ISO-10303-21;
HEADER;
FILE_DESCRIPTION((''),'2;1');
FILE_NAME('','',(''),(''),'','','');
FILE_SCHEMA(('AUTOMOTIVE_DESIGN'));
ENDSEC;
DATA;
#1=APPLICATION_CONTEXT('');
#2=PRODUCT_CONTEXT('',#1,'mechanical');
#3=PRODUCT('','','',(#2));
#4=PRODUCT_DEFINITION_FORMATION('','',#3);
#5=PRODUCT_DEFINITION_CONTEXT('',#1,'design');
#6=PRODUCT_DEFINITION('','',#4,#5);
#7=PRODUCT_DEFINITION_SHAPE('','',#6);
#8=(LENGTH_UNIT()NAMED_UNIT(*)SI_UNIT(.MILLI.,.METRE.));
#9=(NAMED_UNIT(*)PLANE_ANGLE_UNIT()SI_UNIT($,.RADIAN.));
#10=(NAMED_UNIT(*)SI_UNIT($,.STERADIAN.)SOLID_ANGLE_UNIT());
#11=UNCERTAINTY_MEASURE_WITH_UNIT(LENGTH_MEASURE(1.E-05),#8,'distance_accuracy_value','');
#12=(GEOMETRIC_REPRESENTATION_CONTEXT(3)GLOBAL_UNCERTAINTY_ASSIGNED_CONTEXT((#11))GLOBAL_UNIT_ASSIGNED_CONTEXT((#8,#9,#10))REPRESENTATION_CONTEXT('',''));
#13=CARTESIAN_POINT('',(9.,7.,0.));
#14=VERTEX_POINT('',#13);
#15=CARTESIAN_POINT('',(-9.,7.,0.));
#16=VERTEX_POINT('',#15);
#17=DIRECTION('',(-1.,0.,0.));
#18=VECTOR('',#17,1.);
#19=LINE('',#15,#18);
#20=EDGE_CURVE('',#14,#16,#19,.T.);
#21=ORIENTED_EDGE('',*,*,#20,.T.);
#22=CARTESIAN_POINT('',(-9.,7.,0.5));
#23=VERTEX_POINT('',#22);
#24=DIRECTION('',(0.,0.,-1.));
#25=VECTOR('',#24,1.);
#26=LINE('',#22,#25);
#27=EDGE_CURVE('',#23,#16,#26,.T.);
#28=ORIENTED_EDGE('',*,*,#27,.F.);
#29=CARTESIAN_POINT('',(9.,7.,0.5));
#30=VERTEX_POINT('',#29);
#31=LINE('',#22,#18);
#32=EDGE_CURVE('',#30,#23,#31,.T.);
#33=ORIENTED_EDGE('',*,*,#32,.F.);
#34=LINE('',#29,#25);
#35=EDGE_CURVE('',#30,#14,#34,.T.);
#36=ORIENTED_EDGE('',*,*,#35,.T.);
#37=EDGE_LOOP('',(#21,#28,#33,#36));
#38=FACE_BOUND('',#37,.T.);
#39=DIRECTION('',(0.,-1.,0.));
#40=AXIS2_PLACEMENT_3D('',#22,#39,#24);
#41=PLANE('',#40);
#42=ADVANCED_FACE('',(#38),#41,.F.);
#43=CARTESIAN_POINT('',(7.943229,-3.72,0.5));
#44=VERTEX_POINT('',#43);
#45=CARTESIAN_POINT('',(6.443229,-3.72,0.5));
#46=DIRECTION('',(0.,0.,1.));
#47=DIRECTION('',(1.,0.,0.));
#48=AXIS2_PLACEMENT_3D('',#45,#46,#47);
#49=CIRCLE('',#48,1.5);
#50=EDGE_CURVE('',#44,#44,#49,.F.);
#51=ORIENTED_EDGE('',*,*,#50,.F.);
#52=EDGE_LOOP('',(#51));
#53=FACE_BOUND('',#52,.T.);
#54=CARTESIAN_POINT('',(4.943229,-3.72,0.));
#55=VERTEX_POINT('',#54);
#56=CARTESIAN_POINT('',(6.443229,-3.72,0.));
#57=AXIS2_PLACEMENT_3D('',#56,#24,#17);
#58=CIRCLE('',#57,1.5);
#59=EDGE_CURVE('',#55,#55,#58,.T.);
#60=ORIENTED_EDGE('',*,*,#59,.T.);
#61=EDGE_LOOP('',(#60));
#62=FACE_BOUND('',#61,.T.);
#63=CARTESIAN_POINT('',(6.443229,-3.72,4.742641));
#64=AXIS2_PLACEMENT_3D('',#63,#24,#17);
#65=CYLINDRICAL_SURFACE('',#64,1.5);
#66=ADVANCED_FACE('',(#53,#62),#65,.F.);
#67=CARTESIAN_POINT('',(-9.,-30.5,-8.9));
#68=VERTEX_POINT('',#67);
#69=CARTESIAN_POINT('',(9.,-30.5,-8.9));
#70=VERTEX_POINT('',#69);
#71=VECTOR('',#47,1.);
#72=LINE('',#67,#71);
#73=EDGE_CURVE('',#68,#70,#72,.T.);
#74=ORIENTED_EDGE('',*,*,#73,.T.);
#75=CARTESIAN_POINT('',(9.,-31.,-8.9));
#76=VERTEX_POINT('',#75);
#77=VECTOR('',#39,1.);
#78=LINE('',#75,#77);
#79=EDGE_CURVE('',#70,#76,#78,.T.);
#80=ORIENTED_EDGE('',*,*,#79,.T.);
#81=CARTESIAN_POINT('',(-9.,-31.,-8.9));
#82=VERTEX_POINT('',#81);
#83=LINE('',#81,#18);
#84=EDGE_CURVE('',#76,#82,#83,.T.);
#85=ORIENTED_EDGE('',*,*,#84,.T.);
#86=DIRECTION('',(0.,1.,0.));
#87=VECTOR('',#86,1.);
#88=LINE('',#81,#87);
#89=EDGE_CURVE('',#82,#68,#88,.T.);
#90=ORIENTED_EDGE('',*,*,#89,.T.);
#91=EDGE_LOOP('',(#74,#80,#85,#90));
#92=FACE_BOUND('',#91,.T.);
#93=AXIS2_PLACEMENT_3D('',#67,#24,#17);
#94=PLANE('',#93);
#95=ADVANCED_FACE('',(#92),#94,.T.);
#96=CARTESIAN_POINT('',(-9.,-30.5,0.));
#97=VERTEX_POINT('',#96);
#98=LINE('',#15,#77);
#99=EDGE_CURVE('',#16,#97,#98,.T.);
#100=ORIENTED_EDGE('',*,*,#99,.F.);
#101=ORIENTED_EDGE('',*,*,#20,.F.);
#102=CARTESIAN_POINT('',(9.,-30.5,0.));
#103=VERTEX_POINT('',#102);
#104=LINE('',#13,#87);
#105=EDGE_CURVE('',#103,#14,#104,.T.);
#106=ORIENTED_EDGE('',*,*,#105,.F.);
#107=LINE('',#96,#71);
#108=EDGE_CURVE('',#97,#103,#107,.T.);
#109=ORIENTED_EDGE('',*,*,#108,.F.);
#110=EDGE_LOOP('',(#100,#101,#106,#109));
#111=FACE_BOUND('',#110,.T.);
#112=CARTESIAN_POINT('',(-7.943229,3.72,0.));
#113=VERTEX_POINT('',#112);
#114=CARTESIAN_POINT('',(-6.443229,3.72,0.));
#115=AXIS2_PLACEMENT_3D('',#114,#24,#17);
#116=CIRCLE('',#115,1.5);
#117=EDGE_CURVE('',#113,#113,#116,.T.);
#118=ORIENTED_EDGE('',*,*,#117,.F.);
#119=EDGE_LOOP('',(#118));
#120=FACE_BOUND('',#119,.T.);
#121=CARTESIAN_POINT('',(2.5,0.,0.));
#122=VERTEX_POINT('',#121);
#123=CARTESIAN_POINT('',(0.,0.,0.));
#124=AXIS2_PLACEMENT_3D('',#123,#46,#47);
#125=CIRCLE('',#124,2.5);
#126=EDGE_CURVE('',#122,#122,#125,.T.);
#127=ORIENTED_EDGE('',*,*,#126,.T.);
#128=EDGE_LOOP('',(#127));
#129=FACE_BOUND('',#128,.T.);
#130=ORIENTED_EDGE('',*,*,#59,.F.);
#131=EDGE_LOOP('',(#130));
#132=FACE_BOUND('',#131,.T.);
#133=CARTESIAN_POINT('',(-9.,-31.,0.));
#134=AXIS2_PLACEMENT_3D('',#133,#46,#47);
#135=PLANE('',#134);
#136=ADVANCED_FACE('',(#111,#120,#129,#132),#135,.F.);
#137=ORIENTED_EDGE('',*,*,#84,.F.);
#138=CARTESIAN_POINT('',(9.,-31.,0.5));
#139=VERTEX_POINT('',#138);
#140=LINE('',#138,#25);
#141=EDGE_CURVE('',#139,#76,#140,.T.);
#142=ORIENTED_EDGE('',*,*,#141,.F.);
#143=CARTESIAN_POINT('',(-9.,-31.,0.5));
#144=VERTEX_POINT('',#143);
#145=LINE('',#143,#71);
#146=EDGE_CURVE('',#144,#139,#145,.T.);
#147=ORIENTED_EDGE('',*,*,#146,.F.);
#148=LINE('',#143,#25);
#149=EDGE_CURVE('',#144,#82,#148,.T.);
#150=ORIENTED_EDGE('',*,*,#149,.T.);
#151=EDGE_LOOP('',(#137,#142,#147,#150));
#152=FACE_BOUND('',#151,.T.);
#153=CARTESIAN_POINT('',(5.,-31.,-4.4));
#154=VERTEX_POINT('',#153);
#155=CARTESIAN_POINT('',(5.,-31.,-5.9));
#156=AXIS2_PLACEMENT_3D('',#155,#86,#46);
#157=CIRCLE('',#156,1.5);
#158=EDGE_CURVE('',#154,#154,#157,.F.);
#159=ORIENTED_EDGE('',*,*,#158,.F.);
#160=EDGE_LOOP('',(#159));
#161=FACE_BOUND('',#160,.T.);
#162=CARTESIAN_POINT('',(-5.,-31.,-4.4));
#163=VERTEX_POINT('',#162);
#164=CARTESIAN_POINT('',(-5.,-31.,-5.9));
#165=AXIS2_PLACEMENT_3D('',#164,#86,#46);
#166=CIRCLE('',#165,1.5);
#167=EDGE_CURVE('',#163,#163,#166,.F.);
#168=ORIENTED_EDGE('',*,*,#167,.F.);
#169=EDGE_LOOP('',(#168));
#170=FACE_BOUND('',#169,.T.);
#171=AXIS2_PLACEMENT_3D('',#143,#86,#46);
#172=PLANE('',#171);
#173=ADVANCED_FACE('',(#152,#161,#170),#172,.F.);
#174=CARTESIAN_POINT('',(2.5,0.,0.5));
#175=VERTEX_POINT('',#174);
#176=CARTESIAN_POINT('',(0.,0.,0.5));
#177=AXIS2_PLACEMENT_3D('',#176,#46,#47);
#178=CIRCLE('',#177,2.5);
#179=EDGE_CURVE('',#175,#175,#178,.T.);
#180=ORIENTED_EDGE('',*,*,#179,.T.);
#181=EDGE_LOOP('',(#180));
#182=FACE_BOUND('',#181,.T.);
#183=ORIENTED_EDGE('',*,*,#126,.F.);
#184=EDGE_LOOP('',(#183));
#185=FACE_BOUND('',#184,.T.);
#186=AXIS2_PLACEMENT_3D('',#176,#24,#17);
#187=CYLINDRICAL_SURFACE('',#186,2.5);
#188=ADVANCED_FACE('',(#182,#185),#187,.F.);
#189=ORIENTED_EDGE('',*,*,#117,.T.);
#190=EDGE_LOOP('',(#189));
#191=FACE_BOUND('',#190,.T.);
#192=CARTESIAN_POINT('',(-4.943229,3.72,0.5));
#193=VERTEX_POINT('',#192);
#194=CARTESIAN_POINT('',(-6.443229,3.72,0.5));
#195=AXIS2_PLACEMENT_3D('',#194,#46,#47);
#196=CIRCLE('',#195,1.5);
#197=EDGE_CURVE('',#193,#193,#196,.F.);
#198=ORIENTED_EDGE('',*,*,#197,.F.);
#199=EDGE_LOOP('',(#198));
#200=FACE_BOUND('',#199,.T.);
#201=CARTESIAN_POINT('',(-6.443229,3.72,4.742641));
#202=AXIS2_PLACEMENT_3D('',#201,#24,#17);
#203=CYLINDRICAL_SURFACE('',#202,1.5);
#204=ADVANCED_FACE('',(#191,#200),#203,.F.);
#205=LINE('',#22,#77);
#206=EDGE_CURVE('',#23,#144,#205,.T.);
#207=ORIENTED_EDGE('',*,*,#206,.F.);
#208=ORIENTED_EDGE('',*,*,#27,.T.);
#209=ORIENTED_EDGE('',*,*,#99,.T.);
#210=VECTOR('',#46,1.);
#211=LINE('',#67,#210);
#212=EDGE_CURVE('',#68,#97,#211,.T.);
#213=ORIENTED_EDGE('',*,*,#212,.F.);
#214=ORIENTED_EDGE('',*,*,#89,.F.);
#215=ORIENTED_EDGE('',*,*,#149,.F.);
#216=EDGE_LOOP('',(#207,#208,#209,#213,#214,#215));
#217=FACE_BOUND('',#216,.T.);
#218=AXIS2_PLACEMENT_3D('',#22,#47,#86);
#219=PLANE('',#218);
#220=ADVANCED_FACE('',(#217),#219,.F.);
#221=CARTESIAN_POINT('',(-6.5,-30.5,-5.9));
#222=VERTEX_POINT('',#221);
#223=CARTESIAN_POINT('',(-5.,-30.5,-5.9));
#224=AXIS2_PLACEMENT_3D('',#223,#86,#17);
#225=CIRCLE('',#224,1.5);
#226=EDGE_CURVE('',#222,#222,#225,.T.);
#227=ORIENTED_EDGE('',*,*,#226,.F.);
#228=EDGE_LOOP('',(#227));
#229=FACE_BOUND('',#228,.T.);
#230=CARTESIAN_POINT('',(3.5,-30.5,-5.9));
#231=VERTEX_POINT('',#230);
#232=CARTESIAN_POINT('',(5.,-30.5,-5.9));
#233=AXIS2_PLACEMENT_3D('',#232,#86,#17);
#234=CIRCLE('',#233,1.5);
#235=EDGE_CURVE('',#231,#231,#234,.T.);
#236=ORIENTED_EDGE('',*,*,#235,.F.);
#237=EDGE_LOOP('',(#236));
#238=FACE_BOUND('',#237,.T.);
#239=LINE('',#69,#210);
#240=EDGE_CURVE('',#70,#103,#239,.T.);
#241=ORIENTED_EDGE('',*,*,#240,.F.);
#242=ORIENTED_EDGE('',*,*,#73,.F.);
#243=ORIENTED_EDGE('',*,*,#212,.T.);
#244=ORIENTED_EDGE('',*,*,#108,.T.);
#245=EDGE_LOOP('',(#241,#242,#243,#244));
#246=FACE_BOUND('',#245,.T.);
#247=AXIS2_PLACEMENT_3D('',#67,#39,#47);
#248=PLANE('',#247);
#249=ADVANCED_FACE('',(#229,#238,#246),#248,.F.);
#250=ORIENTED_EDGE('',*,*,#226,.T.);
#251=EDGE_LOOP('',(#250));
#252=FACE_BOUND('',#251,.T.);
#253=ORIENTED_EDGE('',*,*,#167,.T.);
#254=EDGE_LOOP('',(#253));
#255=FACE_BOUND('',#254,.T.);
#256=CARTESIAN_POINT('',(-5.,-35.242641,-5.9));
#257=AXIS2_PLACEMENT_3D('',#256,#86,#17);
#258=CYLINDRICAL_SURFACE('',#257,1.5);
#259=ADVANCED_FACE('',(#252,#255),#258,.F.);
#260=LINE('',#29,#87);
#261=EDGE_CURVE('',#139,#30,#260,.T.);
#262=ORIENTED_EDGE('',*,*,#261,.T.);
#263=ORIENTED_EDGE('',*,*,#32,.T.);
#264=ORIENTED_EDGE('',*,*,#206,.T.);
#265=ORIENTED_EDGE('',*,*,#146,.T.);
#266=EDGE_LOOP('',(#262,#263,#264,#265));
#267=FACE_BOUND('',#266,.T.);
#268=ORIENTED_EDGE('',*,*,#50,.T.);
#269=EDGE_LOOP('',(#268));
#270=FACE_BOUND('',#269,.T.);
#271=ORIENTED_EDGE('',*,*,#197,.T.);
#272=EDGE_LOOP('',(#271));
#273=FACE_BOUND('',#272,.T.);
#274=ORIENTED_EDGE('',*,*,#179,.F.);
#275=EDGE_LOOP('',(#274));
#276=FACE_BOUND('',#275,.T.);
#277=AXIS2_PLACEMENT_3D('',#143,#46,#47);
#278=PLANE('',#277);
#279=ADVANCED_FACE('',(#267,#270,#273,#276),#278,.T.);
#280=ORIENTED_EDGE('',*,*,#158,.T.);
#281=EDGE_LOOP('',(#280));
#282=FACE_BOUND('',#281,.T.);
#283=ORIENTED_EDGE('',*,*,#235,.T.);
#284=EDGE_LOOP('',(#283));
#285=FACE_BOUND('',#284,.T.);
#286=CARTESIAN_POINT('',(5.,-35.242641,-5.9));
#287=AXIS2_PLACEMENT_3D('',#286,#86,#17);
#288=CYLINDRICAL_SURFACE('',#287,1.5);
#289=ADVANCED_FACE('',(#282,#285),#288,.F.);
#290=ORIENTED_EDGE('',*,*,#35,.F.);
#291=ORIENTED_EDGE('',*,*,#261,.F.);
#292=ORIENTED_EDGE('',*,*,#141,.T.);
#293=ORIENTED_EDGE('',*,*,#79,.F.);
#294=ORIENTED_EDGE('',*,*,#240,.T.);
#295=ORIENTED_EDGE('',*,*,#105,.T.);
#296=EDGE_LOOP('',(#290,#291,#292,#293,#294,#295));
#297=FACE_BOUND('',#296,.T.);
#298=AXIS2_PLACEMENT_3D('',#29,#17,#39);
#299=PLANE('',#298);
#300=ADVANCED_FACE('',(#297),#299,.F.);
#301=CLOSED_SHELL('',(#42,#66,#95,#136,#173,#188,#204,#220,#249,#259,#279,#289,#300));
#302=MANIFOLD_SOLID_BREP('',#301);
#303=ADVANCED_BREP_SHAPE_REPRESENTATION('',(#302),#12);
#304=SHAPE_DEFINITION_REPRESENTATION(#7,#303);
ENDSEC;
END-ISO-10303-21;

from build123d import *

# Parameters (mm, degrees)
SKETCH1_W      = 18
SKETCH1_H      = 38
SKETCH1_R      = 2.5
EXTRUDE1_DEPTH = 0.5
SKETCH2_W      = 18
SKETCH2_H      = 0.5
EXTRUDE2_DEPTH = 8.9
SKETCH3_R      = 1.5
EXTRUDE3_DEPTH = 0.5
SKETCH4_R      = 1.5
EXTRUDE4_DEPTH = 0.5


with BuildPart() as part:
    # Sketch1 → Extrude1 (new body)
    with BuildSketch(Plane.XY):
        with Locations((0, -12)):
            Rectangle(SKETCH1_W, SKETCH1_H)
        Circle(SKETCH1_R, mode=Mode.SUBTRACT)
    extrude(amount=EXTRUDE1_DEPTH)

    # Sketch2 → Extrude2 (add)
    with BuildSketch(Plane(origin=(0, 0, 0), x_dir=(-1, 0, 0), z_dir=(0, 0, -1))):
        with Locations((0, -30.75)):
            Rectangle(SKETCH2_W, SKETCH2_H)
    extrude(amount=EXTRUDE2_DEPTH)

    # Sketch3 → Extrude3 (cut)
    with BuildSketch(Plane(origin=(0, -30.5, 0), x_dir=(1, 0, 0), z_dir=(0, 1, 0))):
        with Locations(Location((-5, 5.9, 0), (0, 0, 180))):
            Circle(SKETCH3_R)
        with Locations(Location((5, 5.9, 0), (0, 0, 180))):
            Circle(SKETCH3_R)
    extrude(amount=-EXTRUDE3_DEPTH, mode=Mode.SUBTRACT)

    # Sketch4 → Extrude4 (cut)
    with BuildSketch(Plane(origin=(0, 0, 0), x_dir=(-1, 0, 0), z_dir=(0, 0, -1))):
        with Locations((-6.443229004, -3.72)):
            Circle(SKETCH4_R)
        with Locations((6.443229004, 3.72)):
            Circle(SKETCH4_R)
    extrude(amount=-EXTRUDE4_DEPTH, mode=Mode.SUBTRACT)


solid = part.part
